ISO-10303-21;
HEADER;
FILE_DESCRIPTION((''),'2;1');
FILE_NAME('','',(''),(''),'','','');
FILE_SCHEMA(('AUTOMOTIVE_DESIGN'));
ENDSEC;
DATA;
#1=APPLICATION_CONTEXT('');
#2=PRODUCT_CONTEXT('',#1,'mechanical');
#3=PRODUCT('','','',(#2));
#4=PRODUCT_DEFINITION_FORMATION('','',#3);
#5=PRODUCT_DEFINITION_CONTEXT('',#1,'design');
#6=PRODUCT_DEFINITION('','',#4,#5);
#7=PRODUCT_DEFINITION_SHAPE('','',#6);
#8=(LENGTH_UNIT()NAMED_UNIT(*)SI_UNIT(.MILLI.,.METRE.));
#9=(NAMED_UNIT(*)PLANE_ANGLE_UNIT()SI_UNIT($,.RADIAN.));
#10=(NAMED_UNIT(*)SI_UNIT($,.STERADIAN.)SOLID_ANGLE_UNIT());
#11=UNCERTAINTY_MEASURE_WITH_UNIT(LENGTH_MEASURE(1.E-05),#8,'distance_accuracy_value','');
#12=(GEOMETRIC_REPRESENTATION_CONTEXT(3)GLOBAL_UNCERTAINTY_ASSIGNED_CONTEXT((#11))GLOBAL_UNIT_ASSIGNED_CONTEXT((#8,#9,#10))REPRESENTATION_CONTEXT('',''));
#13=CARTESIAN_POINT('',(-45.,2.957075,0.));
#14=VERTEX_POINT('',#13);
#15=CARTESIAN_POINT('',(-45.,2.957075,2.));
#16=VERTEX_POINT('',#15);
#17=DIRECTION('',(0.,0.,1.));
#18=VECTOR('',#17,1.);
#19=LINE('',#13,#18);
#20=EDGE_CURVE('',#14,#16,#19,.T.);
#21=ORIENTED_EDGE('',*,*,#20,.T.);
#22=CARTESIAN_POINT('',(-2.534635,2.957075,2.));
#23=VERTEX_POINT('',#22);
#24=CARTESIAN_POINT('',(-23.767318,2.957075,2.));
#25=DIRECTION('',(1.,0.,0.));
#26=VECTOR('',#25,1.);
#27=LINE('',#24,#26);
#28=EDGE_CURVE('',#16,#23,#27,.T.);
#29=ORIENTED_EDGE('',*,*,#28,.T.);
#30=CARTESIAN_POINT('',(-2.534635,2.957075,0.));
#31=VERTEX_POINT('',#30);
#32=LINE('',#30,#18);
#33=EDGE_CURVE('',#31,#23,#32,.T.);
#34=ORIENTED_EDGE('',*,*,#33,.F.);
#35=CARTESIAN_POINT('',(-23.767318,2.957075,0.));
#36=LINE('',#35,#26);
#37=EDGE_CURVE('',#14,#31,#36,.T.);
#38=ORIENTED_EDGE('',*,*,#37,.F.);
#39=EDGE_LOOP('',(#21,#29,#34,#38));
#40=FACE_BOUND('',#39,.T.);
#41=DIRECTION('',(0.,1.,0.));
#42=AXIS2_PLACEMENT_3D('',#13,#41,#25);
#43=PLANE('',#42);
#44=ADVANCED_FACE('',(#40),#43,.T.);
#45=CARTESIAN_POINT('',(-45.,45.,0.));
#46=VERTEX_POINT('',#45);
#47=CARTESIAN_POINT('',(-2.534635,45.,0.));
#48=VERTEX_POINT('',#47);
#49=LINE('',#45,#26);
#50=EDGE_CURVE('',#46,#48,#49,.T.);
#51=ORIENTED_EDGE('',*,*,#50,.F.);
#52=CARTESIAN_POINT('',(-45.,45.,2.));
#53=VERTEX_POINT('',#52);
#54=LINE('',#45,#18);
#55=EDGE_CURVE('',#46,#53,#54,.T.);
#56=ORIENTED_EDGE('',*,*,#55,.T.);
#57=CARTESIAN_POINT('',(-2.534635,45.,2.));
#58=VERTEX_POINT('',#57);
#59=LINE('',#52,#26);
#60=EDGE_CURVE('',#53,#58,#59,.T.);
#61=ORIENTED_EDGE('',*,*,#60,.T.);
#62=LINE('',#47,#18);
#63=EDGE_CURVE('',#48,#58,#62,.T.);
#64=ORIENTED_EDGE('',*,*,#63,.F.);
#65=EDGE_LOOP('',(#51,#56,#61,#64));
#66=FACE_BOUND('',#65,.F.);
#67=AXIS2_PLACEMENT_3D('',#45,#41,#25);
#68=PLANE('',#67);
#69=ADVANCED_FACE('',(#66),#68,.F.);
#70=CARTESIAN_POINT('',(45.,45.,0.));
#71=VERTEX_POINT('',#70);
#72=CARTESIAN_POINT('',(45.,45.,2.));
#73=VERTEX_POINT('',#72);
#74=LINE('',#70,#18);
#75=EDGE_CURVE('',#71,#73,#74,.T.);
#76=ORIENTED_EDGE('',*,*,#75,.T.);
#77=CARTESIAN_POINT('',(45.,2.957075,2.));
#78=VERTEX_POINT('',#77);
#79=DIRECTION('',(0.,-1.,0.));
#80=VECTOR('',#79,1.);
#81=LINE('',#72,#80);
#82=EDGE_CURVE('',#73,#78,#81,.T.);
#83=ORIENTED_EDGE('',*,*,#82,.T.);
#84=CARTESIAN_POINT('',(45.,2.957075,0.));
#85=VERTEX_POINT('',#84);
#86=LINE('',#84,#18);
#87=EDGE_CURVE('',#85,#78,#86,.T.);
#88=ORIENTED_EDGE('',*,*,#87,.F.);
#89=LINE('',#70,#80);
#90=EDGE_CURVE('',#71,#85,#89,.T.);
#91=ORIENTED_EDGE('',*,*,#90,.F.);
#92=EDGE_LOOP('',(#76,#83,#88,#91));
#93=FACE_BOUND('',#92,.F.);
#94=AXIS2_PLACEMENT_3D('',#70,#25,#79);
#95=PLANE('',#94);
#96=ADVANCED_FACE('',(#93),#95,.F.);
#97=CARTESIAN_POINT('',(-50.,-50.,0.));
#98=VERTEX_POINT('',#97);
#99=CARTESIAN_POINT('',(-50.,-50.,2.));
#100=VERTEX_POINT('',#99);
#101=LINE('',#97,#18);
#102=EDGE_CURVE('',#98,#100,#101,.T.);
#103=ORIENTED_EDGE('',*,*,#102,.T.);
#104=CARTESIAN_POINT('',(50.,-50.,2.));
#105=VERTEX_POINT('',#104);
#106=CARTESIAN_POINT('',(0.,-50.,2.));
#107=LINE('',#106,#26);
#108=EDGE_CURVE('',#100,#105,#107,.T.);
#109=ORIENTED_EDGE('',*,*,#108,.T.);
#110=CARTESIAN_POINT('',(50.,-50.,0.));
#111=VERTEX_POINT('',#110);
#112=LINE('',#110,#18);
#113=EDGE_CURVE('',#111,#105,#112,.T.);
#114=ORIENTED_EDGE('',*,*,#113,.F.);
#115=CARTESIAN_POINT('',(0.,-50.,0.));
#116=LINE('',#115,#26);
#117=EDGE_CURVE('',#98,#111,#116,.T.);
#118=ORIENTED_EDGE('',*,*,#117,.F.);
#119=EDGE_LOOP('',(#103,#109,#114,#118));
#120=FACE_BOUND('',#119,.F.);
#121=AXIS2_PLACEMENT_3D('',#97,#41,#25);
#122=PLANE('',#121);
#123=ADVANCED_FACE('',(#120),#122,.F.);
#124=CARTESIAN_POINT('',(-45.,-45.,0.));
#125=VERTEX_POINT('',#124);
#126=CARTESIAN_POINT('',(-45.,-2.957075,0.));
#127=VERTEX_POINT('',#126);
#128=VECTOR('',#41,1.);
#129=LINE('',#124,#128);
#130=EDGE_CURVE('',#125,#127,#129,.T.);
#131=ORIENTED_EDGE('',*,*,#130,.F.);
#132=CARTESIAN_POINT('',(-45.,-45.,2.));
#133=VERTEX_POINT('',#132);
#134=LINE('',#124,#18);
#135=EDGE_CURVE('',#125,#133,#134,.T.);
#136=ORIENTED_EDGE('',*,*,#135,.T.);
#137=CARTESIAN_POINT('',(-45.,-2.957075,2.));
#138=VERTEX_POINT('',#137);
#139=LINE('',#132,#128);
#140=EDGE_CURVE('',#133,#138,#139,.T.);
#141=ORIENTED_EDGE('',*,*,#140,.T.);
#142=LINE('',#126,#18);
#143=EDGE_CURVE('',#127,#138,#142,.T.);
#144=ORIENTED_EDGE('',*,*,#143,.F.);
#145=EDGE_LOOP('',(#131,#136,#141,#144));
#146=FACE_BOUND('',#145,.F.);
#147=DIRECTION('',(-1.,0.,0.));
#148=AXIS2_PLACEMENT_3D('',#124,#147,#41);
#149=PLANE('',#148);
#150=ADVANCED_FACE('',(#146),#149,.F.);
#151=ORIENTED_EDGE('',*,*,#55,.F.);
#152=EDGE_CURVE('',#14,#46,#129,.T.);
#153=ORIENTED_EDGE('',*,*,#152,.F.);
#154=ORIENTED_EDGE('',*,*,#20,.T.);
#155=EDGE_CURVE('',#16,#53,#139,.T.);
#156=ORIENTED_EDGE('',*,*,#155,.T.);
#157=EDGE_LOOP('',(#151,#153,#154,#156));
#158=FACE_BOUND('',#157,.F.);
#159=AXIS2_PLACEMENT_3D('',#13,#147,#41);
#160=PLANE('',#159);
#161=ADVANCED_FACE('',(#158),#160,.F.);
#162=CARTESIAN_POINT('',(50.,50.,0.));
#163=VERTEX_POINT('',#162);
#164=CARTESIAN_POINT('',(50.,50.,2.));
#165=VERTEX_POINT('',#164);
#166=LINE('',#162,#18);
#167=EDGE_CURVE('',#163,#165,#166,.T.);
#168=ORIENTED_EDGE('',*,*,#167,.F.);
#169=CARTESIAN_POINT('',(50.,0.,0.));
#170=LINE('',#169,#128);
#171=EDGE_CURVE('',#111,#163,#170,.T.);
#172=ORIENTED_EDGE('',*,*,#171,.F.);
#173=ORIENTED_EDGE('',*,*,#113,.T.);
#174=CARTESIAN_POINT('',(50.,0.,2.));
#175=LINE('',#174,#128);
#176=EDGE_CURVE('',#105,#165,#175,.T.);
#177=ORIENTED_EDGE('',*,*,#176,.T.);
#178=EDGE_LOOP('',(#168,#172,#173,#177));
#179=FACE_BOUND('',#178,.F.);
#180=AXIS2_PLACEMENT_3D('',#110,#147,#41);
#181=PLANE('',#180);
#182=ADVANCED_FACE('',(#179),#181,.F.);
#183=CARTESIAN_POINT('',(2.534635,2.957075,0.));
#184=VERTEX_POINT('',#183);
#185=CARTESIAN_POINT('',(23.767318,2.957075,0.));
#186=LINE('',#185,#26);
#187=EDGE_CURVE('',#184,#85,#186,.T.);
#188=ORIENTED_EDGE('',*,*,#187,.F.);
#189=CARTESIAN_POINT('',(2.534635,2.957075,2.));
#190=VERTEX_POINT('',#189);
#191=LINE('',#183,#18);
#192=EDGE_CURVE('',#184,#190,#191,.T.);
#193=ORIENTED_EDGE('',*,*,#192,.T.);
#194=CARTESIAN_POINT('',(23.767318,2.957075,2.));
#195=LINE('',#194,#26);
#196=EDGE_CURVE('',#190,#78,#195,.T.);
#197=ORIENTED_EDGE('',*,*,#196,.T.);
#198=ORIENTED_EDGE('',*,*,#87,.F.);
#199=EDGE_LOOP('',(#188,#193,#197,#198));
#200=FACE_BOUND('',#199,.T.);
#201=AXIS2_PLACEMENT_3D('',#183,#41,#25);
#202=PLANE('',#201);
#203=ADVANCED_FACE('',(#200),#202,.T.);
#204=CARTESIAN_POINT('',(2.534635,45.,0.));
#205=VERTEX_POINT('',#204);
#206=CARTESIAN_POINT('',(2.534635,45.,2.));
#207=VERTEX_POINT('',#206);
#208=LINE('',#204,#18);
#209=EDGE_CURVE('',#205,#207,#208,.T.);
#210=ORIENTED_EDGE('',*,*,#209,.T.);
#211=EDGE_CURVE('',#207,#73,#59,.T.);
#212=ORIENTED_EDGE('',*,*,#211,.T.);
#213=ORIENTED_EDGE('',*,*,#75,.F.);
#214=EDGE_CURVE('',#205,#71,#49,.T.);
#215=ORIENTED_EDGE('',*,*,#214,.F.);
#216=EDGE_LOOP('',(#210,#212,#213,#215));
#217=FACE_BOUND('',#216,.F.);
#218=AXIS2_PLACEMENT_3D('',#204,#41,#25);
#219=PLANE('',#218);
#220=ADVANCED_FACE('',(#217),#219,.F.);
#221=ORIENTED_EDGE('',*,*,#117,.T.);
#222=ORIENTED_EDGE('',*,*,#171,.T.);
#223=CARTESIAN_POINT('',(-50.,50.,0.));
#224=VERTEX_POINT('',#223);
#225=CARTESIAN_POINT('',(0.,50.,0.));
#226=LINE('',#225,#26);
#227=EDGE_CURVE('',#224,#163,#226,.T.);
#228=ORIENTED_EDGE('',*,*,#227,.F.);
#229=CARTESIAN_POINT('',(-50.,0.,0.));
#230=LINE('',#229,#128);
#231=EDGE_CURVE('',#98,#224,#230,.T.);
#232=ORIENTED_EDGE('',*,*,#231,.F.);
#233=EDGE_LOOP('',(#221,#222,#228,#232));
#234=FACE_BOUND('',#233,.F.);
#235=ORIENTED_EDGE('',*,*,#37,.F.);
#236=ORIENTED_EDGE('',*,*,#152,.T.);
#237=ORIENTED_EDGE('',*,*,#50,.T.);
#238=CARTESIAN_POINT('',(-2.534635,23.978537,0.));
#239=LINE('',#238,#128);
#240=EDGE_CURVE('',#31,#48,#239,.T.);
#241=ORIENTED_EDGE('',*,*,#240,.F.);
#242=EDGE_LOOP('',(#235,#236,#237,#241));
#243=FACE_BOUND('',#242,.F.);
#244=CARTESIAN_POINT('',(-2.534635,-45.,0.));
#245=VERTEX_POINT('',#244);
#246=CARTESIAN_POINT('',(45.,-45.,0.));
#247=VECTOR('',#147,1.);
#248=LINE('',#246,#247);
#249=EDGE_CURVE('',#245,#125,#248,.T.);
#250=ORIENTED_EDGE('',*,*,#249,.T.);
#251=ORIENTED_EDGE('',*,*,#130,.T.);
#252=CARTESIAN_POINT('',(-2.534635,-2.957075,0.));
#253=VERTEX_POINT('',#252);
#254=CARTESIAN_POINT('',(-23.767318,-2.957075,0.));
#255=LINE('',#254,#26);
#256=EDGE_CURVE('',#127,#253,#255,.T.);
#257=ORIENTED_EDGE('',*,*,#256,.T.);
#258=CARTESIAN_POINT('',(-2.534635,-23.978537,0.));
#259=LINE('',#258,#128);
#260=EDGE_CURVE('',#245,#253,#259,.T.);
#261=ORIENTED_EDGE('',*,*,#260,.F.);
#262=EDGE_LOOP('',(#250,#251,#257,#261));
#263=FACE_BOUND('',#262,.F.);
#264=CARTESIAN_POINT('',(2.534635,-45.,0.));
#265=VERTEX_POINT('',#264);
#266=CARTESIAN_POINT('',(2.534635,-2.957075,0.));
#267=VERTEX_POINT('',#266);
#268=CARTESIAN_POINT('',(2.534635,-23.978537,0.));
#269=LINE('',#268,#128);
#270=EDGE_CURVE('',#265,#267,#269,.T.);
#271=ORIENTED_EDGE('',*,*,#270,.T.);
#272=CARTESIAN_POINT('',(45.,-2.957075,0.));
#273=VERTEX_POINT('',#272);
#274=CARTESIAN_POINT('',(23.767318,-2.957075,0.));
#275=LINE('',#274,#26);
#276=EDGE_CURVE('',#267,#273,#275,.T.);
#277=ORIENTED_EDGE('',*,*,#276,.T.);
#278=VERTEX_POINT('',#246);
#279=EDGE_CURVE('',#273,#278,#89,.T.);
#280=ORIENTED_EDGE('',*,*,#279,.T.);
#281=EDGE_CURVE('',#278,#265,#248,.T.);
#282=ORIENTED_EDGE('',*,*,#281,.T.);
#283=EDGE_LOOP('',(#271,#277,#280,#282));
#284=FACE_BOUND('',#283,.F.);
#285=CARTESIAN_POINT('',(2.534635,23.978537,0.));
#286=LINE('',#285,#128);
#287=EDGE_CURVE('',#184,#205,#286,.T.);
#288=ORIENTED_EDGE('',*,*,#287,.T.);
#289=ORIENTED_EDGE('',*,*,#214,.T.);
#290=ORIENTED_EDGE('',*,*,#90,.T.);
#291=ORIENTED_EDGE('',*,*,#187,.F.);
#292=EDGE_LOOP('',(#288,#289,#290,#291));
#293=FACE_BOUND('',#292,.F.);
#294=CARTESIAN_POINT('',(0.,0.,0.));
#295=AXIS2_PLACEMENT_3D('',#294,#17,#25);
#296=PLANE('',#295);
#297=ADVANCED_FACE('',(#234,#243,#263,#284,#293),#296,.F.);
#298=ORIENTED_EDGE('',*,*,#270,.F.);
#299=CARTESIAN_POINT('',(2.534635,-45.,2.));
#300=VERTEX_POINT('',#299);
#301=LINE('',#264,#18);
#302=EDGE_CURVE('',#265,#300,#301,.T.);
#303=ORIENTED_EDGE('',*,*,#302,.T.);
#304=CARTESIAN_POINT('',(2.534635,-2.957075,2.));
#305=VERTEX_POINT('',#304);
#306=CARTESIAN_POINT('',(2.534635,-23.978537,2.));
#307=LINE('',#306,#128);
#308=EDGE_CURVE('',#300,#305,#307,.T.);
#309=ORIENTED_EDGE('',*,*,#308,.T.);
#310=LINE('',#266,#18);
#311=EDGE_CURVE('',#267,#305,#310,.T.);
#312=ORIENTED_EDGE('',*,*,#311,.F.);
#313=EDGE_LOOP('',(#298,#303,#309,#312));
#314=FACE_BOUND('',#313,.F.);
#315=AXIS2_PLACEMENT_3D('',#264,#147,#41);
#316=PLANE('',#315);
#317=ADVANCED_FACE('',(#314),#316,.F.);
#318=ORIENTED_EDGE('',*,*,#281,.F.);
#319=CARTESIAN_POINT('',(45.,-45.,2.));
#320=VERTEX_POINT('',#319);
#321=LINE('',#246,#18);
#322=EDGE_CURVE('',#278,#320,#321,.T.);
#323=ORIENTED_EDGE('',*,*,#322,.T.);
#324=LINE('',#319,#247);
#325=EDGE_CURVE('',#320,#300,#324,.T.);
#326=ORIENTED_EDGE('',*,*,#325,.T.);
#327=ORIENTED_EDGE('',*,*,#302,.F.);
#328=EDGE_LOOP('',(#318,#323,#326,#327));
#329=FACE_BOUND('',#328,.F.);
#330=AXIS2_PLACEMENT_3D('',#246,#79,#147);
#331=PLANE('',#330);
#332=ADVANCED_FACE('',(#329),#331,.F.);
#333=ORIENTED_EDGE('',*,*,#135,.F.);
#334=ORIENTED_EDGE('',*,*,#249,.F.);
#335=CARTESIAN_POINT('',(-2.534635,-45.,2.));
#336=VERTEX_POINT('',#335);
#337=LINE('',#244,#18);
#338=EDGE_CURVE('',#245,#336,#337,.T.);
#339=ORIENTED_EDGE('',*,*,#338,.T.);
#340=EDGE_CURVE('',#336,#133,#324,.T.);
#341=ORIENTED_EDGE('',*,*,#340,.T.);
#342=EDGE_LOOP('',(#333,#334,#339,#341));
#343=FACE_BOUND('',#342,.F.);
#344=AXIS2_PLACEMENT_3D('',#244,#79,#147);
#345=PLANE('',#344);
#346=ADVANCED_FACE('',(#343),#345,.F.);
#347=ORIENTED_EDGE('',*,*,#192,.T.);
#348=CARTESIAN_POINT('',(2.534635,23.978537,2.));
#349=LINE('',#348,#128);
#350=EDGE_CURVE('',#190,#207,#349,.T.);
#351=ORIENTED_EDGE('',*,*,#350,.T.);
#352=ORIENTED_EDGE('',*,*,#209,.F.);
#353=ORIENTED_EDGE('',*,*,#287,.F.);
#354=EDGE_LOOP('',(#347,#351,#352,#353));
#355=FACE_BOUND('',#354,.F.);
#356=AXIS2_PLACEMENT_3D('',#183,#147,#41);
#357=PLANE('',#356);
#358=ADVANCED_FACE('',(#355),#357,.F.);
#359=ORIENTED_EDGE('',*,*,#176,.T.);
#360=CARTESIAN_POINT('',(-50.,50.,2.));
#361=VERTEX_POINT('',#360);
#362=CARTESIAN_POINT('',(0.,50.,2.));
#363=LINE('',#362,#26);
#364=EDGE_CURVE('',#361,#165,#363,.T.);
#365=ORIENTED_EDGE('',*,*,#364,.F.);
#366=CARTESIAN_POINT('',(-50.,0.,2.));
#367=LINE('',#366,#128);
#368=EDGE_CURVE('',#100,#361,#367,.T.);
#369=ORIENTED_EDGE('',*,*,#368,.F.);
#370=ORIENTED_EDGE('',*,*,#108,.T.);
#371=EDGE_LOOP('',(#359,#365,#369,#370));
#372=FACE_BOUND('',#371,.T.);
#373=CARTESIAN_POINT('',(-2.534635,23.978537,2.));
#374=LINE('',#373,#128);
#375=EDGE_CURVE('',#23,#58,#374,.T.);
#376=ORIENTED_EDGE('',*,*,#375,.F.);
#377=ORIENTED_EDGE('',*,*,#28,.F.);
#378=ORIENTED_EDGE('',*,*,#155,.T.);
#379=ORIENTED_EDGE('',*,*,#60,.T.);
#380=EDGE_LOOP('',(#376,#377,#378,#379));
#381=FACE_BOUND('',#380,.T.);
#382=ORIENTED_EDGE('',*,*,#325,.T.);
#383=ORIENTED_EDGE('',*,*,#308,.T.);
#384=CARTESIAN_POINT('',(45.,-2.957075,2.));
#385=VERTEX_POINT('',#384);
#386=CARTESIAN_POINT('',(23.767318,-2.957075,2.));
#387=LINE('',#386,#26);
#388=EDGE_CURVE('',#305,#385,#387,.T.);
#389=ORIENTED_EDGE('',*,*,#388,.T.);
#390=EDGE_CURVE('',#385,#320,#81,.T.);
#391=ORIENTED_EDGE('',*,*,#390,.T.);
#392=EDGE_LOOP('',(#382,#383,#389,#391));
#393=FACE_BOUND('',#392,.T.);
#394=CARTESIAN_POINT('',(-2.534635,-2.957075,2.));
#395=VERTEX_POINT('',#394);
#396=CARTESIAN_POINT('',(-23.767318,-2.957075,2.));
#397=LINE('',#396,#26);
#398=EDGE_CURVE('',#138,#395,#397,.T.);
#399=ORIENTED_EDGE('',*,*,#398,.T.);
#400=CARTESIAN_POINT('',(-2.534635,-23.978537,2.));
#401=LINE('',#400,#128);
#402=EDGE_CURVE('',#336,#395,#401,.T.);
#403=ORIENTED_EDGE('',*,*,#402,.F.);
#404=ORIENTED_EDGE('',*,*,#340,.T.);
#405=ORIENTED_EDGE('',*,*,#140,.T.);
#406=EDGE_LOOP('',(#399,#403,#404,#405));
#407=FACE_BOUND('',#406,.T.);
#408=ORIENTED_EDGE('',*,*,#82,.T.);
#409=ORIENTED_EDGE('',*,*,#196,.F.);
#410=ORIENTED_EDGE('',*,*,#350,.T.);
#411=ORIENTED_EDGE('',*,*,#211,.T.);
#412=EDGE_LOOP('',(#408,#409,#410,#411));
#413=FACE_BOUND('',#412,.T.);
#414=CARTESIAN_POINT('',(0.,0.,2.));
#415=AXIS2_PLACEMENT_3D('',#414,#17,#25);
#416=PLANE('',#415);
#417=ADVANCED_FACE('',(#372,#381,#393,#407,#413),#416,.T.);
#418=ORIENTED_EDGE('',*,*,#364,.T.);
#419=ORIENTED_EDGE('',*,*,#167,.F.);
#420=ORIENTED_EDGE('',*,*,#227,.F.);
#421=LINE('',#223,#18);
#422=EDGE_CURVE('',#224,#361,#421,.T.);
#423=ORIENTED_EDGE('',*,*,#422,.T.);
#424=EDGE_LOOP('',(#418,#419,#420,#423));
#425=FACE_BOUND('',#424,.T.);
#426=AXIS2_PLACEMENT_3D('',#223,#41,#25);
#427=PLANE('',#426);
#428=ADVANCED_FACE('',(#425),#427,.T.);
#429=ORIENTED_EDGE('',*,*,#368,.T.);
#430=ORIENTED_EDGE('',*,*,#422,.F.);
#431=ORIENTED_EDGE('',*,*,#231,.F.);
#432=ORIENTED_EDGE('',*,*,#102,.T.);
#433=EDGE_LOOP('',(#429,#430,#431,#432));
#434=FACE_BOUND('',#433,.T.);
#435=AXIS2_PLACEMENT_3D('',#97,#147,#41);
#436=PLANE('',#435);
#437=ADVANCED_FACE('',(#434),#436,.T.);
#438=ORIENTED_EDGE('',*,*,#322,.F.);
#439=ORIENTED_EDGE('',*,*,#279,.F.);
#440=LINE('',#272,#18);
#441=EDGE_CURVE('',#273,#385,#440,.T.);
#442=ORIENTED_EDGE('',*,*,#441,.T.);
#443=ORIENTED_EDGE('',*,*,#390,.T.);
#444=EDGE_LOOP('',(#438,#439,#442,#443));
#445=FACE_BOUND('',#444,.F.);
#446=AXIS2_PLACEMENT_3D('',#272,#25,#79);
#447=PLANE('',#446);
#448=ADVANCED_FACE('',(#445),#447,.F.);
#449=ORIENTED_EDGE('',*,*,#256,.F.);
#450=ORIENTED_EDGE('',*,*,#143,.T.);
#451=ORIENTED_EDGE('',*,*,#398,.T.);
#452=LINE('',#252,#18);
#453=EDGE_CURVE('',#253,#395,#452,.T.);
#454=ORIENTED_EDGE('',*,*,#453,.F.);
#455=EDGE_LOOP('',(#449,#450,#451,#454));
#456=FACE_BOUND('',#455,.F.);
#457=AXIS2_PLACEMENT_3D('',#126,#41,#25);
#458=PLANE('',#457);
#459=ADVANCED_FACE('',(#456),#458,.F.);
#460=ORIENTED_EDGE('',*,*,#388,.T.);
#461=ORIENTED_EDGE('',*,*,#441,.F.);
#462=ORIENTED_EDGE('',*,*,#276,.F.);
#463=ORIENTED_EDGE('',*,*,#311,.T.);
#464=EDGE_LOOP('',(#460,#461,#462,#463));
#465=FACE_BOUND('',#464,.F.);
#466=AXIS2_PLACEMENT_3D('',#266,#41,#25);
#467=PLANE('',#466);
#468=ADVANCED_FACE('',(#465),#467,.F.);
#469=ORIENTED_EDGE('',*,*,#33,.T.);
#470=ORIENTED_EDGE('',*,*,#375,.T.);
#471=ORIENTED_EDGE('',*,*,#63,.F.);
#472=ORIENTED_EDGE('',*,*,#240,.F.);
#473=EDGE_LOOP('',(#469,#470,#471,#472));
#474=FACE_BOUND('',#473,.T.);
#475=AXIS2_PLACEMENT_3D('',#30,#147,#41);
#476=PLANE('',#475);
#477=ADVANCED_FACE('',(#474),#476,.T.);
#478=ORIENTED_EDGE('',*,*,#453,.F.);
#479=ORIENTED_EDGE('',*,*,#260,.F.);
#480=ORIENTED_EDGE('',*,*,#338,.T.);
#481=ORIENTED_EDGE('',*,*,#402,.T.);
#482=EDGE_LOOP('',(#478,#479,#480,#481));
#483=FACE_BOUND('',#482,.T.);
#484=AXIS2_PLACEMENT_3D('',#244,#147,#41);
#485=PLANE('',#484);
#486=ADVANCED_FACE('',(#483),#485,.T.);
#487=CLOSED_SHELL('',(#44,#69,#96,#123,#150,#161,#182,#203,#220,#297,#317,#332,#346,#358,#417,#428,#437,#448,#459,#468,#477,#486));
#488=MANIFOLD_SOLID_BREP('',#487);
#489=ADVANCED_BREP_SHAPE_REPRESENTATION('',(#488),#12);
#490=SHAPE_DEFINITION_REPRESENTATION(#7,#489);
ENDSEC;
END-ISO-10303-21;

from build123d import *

# Parameters (mm, degrees)
F0_W     = 100
F0_H     = 100
F0_W_2   = 42.465364635
F0_H_2   = 5.9141498059
F0_W_3   = 5.06927073
F0_H_3   = 42.042925097
F1_DEPTH = 2


with BuildPart() as f1:
    # F0 (on Top) → F1 (new body)
    with BuildSketch(Plane.XY):
        Rectangle(F0_W, F0_H)
        Polygon((2.534635365, 45), (45, 45), (45, 2.957074903), (45, -2.957074903), (45, -45), (2.534635365, -45), (-2.534635365, -45), (-45, -45), (-45, -2.957074903), (-45, 2.957074903), (-45, 45), (-2.534635365, 45), align=None, mode=Mode.SUBTRACT)
        with Locations((-23.7673176825, 0)):
            Rectangle(F0_W_2, F0_H_2)
        with Locations((23.7673176825, 0)):
            Rectangle(F0_W_2, F0_H_2)
        with Locations((0, 23.9785374515)):
            Rectangle(F0_W_3, F0_H_3)
        with Locations((0, -23.9785374515)):
            Rectangle(F0_W_3, F0_H_3)
        Rectangle(F0_W_3, F0_H_2)
    extrude(amount=F1_DEPTH)


solid = f1.part
